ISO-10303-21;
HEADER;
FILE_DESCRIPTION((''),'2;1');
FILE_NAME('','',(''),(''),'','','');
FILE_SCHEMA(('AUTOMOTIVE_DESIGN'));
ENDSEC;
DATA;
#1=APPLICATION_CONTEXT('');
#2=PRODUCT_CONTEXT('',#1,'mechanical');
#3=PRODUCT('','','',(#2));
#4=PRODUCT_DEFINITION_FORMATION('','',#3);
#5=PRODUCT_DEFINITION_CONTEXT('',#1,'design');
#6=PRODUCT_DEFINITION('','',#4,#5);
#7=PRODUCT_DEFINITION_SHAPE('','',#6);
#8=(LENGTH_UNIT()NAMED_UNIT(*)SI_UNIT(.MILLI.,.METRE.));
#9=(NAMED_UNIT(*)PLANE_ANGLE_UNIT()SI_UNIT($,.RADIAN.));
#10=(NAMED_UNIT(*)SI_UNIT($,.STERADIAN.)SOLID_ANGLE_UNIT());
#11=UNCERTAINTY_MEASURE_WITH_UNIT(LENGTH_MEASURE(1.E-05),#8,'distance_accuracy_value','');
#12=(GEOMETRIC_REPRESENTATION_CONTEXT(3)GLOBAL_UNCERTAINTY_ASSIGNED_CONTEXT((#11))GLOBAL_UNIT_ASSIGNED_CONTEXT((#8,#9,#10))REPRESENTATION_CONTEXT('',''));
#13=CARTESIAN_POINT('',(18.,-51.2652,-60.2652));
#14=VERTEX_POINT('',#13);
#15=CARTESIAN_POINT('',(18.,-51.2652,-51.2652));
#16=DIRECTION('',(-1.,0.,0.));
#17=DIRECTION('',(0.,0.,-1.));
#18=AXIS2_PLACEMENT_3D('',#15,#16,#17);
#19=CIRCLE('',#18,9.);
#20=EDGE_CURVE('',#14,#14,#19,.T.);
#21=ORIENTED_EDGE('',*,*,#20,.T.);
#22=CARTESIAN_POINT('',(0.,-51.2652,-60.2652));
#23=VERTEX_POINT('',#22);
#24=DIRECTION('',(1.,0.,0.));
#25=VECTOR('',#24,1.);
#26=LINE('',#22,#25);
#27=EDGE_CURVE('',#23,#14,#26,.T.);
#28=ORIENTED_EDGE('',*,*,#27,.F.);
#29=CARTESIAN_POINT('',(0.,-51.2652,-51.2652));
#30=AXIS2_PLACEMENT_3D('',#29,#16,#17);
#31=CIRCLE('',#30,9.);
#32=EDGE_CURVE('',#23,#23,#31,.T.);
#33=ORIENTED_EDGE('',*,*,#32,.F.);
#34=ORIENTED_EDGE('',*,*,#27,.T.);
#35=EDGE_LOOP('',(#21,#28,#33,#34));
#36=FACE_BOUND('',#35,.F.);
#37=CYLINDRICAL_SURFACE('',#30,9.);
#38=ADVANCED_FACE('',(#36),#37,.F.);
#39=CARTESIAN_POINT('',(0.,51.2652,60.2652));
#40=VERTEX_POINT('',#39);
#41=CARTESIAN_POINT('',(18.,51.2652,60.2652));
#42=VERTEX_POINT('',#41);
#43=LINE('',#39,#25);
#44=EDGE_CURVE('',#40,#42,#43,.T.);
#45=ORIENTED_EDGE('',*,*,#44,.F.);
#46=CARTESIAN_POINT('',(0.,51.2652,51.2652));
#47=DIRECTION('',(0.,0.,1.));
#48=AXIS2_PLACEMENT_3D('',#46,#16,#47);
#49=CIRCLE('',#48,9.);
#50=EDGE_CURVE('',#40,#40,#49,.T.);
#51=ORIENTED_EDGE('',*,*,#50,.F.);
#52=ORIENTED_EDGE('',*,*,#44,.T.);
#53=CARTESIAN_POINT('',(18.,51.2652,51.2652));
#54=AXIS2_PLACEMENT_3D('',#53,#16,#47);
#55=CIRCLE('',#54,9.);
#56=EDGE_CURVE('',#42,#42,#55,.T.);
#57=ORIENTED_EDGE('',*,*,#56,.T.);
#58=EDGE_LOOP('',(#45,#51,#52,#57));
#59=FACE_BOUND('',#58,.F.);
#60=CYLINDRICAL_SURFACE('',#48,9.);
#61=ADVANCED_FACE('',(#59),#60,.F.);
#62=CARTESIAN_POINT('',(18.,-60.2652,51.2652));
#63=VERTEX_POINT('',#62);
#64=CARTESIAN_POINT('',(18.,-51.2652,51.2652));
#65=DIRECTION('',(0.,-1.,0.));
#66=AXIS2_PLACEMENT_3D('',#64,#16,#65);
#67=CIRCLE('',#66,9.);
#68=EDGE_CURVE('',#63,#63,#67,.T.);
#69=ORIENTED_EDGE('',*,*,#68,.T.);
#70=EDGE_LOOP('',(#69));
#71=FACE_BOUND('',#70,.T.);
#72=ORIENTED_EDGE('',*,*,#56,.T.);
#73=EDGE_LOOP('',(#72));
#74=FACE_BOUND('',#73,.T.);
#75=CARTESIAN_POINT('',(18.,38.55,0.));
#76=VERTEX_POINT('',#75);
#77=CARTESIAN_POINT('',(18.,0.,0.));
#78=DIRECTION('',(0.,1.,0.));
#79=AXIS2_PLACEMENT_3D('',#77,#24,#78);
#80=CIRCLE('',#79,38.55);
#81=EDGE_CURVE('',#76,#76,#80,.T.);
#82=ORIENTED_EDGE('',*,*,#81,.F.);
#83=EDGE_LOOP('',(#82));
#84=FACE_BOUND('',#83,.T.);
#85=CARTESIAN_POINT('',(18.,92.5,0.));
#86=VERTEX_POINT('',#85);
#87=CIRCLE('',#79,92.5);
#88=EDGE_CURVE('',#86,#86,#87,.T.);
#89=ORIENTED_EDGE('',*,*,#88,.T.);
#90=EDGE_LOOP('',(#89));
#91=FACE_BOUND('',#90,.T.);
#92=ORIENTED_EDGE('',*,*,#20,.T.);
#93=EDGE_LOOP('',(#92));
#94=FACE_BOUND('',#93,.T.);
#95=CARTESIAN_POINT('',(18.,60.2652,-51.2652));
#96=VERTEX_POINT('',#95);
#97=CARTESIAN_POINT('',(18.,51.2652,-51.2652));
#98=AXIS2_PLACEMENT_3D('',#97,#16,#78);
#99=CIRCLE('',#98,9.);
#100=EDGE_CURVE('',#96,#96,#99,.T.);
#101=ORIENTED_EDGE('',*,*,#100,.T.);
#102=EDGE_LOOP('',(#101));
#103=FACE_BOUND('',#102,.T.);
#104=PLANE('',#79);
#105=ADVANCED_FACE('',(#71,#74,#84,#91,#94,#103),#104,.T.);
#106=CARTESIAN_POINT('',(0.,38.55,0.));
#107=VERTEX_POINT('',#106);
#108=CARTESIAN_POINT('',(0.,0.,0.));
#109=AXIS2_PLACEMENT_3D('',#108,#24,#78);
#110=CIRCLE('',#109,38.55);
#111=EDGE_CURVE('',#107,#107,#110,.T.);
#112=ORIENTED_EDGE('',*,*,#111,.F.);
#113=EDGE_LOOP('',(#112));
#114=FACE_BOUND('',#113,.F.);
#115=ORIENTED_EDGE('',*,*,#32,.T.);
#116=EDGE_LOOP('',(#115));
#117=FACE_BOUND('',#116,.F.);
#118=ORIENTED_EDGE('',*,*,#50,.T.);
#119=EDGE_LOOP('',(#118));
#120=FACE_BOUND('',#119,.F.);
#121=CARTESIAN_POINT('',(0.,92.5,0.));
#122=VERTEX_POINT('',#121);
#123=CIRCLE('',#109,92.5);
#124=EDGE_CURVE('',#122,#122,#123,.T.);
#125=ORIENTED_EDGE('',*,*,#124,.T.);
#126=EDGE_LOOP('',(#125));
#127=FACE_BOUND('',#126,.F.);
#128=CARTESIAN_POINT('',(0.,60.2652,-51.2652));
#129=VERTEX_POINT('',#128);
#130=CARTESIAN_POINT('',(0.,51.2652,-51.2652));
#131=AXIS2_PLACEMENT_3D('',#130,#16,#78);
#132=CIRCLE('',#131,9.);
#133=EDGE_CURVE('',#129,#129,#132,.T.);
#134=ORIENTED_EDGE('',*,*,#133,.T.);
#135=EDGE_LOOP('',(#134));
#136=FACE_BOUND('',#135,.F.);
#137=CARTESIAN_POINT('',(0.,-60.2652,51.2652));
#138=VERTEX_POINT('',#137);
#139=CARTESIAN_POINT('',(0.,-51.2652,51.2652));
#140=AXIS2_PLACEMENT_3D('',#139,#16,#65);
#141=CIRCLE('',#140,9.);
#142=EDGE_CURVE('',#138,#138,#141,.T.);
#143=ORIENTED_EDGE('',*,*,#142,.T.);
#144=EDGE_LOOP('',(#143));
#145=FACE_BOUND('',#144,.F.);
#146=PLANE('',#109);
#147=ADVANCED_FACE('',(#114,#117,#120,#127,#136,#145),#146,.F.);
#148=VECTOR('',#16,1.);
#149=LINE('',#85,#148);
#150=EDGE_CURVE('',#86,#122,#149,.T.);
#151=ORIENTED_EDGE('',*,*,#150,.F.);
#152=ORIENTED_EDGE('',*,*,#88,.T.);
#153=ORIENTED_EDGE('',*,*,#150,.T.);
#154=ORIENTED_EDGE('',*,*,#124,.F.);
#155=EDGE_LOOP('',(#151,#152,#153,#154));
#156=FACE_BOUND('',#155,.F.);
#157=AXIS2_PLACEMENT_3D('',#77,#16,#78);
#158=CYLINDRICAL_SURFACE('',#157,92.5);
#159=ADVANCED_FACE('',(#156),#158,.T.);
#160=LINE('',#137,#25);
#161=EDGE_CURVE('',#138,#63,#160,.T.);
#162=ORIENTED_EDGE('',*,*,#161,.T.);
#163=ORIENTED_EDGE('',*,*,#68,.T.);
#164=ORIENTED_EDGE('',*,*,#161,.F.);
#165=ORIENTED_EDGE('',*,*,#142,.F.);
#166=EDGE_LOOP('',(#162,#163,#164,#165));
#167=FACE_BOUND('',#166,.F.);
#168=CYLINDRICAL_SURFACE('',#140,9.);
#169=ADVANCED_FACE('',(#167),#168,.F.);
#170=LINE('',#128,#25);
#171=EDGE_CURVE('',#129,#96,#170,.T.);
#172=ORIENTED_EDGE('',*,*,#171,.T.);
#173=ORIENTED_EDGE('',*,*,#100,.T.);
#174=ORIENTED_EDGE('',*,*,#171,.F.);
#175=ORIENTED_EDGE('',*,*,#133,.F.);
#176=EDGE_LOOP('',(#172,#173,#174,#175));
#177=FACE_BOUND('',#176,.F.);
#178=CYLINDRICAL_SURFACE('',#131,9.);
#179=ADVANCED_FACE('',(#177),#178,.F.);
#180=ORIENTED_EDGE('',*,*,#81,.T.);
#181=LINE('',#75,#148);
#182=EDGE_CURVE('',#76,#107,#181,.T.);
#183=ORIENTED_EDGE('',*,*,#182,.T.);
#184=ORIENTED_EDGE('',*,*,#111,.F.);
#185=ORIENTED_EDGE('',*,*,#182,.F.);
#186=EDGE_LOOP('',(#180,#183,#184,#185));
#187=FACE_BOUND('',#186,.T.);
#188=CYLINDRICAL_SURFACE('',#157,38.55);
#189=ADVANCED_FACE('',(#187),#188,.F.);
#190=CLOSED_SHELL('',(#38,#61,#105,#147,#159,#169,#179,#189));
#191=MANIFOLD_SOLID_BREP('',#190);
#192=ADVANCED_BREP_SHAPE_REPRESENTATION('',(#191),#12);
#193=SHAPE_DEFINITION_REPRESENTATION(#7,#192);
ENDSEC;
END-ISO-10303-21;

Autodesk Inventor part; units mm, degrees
ref_plane "YZ Plane" through (0, 0, 0) normal (1, 0, 0) x (0, 1, 0)
ref_plane "XZ Plane" through (0, 0, 0) normal (0, 1, 0) x (-1, 0, 0)
ref_plane "XY Plane" through (0, 0, 0) normal (0, 0, 1) x (1, 0, 0)
sketch "Sketch1" plane through (0, 0, 0) normal (0, 0, 1) x (1, 0, 0)
  line L0 (18, 92.5) -> (0, 92.5)
  line L1 (0, 92.5) -> (0, 38.55)
  line L2 (0, 38.55) -> (0, 0) construction
  line L3 (0, 0) -> (18, 0) construction
  line L4 (18, 92.5) -> (18, 38.55)
  line L5 (18, 38.55) -> (0, 38.55)
  line L6 (18, 38.55) -> (18, 0) construction
  dimension "d0" = 185
  dimension "d1" = 18
  dimension "d5" = 77.1
revolve "Revolution1" add sketch "Sketch1" angle 360 about axis through (0, 0, 0) along (1, 0, 0)
sketch "Sketch2" plane through (0, 0, 0) normal (-1, 0, 0) x (0, 0, 1)
  circle A0 centre (0, 0) radius 38.55 projected
  line L0 (0, 72.5) -> (0, 0) construction
  circle A1 centre (0, 0) radius 92.5 projected
  circle A2 centre (0, 0) radius 72.5 construction
  line L1 (0, 0) -> (51.2652, 51.2652) construction
  circle A3 centre (51.2652, 51.2652) radius 9
  dimension "d6" = 18
  dimension "d7" = 72.5
  dimension "d8" = 45
extrude "Extrusion1" cut sketch "Sketch2" against normal through all contours A3
pattern_circular "Circular Pattern1" count 4 over 360 about axis through (9, 0, 0) along (1, 0, 0) of "Extrusion1"
equation "\"d6\" = dd2"
equation "\"d7\" = 0.5 * k"
equation "\"d0\" = D"
equation "\"d1\" = b"
equation "\"d5\" = dd5"
equation "\"b\" = 18"
equation "\"D\" = 185"
equation "\"k\" = 145"
equation "\"dd2\" = 18"
equation "\"dd5\" = 77.1"
equation "\"Size_Designation\" = 1.2345"
properties part number "DIN 2576 Slip-On Flange for Welding Series 1 (ISO) - PN 10 65 x 76.1" material "Steel"
